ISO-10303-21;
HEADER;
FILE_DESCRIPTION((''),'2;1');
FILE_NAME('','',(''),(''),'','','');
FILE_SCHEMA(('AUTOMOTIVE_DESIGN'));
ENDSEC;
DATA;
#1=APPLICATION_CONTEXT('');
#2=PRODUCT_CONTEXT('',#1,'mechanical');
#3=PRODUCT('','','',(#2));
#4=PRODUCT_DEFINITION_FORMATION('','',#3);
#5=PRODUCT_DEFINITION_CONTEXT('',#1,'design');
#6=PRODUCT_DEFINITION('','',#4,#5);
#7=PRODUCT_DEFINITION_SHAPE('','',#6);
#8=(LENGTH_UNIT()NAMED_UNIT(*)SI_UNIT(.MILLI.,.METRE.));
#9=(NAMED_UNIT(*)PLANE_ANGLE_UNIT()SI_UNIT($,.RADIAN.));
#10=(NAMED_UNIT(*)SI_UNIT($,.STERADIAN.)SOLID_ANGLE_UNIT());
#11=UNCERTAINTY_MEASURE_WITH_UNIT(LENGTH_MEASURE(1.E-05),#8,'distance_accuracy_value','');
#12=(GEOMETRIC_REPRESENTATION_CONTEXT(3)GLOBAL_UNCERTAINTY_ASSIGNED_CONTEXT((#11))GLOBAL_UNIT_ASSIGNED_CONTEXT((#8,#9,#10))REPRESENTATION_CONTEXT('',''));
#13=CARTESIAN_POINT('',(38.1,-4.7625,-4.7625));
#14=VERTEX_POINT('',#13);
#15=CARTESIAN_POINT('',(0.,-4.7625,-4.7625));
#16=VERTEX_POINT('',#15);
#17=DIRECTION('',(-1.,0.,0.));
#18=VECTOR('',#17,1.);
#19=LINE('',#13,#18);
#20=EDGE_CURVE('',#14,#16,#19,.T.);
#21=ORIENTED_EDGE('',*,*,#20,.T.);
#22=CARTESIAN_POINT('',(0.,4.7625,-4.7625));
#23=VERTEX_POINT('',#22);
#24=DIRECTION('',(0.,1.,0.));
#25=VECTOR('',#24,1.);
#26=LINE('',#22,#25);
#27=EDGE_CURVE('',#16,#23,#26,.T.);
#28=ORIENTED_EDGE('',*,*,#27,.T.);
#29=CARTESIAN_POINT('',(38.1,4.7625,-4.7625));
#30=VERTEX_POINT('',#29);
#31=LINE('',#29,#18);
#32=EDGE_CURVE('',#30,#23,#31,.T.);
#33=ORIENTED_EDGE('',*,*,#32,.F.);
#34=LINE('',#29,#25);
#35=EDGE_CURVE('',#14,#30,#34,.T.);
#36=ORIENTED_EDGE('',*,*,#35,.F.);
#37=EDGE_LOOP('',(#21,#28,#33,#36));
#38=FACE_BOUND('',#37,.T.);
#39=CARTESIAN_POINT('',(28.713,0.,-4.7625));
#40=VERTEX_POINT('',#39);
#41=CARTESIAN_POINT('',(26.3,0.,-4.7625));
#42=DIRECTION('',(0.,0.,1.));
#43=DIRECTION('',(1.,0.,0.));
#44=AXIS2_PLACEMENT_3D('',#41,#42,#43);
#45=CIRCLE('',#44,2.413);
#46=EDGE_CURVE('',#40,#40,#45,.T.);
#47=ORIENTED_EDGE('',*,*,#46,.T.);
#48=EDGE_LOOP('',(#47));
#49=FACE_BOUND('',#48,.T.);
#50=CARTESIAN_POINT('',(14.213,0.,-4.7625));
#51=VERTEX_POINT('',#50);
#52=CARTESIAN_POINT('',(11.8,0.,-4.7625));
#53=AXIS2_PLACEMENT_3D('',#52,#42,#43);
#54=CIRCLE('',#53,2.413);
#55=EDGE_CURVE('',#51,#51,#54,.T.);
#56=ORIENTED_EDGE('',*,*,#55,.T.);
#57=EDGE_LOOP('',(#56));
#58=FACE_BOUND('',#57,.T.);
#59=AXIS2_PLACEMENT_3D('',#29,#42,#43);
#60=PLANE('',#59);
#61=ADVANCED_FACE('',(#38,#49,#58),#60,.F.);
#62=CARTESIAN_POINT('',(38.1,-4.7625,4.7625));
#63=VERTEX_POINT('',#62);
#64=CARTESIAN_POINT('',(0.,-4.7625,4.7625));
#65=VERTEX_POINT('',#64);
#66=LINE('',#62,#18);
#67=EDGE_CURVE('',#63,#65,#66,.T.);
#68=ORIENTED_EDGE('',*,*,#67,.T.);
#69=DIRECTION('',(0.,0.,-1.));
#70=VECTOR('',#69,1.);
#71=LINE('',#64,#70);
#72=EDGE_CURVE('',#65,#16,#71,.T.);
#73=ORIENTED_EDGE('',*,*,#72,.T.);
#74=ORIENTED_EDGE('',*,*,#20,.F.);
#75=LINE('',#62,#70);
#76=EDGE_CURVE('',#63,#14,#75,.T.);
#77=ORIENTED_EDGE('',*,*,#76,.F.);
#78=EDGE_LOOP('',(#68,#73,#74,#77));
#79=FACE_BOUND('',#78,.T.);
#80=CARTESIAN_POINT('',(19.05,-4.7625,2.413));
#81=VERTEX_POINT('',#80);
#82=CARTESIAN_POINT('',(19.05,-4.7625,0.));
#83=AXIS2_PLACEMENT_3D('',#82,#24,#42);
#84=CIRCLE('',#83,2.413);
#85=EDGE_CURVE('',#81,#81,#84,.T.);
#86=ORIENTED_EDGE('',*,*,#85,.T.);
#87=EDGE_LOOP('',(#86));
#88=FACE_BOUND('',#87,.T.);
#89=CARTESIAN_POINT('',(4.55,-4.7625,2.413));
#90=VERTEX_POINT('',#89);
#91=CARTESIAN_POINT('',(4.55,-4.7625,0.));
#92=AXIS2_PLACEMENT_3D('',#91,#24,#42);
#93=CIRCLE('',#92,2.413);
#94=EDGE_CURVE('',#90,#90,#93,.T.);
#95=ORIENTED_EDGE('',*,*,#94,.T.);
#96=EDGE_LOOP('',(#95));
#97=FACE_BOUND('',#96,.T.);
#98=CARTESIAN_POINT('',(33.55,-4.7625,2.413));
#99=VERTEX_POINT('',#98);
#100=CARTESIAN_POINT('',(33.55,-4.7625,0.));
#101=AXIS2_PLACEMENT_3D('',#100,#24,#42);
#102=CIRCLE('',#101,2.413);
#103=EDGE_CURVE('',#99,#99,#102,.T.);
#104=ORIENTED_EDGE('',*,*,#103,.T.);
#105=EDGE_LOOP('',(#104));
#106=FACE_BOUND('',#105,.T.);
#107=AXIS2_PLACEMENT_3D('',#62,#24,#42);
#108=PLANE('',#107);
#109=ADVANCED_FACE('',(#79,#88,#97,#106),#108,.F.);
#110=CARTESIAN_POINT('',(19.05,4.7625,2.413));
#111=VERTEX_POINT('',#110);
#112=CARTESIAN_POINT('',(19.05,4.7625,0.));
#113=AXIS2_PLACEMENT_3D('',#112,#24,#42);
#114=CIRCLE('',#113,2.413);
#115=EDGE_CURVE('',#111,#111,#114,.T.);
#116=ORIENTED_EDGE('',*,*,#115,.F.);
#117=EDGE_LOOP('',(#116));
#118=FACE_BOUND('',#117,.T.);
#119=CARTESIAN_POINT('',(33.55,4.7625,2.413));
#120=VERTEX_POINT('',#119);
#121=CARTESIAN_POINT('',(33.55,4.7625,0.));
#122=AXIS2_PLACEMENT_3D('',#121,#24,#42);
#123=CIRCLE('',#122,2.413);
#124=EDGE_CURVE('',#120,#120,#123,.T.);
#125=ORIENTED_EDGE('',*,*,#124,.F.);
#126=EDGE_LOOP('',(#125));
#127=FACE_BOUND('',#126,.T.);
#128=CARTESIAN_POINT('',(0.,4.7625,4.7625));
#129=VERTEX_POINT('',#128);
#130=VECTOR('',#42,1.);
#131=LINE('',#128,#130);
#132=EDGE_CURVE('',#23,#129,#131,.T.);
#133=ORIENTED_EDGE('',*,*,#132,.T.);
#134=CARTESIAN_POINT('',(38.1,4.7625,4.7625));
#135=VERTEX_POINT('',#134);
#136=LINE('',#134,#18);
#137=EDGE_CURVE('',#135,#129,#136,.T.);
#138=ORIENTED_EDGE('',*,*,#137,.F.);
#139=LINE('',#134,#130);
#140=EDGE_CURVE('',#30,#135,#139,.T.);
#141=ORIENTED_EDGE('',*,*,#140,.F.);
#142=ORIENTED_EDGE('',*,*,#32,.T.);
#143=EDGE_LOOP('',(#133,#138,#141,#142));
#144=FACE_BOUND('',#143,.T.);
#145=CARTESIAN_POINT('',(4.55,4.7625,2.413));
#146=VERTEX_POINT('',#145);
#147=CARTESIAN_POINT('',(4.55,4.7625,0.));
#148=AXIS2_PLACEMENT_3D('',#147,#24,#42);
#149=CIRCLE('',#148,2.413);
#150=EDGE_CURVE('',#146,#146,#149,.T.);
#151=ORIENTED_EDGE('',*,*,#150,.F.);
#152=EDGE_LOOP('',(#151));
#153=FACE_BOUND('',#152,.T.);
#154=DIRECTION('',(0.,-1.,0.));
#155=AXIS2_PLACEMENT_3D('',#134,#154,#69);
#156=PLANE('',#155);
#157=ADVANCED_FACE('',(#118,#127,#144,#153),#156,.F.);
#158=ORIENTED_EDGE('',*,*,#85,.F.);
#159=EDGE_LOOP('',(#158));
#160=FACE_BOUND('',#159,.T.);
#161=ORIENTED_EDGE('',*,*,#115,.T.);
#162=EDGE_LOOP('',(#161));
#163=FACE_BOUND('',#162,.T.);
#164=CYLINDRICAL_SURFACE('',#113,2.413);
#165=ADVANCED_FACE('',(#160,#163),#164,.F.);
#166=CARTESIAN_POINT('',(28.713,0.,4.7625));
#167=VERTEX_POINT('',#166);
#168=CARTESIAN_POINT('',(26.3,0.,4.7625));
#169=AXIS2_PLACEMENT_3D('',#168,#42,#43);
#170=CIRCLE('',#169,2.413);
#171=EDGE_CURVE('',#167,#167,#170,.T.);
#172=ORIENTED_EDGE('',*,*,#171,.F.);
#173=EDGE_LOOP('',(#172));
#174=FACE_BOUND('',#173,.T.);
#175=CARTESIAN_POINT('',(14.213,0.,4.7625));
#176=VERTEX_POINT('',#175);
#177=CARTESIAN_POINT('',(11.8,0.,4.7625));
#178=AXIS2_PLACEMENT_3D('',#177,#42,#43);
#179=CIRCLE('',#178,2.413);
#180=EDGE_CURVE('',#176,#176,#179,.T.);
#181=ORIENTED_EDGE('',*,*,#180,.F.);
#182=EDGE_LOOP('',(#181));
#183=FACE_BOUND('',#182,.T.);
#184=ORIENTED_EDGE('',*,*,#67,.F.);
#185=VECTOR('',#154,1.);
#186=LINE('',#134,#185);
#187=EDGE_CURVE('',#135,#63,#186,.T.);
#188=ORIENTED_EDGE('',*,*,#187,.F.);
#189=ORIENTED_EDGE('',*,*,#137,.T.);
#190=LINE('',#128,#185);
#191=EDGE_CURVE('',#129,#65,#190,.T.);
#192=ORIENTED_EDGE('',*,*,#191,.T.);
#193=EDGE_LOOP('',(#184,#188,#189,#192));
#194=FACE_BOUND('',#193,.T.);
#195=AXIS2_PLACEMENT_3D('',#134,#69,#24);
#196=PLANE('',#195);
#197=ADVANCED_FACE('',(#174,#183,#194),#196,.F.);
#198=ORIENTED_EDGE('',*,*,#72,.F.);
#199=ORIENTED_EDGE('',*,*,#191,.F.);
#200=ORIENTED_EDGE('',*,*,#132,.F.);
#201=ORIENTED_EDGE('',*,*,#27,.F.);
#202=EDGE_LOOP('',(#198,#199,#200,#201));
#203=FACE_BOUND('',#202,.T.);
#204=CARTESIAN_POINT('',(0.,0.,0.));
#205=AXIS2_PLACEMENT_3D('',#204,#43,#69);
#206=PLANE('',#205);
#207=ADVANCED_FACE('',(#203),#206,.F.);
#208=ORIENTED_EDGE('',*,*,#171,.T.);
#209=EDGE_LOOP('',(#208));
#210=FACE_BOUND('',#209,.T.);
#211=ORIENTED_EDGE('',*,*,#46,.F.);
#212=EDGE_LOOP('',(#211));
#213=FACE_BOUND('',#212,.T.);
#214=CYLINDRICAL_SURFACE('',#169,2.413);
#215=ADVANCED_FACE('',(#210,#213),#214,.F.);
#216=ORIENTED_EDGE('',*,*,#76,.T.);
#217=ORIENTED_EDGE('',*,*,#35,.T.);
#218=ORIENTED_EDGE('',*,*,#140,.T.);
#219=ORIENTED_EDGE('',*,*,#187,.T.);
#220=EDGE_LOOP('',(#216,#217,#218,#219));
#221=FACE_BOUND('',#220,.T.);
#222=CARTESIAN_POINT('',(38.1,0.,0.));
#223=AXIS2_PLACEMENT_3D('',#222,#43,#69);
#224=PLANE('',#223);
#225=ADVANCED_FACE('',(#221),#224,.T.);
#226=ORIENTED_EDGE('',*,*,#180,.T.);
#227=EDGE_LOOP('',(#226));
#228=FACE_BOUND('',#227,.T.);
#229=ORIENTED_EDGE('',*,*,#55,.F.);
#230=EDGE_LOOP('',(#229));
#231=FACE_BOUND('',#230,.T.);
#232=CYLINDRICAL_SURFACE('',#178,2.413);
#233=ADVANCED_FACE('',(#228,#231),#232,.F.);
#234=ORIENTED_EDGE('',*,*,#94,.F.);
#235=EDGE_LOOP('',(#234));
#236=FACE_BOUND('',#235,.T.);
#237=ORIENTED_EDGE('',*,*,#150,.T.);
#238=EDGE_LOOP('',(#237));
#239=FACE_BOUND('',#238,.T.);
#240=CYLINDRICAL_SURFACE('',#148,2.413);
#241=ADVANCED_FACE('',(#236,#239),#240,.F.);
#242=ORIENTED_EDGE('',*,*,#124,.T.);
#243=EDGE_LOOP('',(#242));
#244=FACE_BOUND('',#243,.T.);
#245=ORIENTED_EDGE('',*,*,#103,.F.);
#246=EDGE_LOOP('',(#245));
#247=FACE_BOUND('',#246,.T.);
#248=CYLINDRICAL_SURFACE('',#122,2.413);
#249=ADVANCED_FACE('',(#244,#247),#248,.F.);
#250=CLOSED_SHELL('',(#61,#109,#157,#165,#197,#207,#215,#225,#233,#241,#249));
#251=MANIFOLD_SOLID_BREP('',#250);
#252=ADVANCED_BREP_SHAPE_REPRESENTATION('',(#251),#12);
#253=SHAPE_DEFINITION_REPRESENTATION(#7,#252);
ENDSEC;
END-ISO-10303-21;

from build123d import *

# Parameters (mm, degrees)
SKETCH1_W              = 9.525
SKETCH1_H              = 9.525
BOSS_EXTRUDE1_DEPTH    = 38.1
F_10_24_TAPPED_HOLE1_D = 4.826
F_10_24_TAPPED_HOLE2_D = 4.826


with BuildPart() as part:
    # Sketch1 → Boss-Extrude1 (new body)
    with BuildSketch(Plane(origin=(0, 0, 0), x_dir=(0, 0, -1), z_dir=(1, 0, 0))):
        Rectangle(SKETCH1_W, SKETCH1_H)
    extrude(amount=BOSS_EXTRUDE1_DEPTH)

    # #10-24 Tapped Hole1 (through all)
    with Locations(Plane(origin=(0, 4.7625, 0), x_dir=(1, 0, 0), z_dir=(0, 1, 0))):
        with Locations((4.55, 0), (19.05, 0), (33.55, 0)):
            Hole(F_10_24_TAPPED_HOLE1_D / 2)

    # #10-24 Tapped Hole2 (through all)
    with Locations(Plane.XY.offset(4.7625)):
        with Locations((11.8, 0), (26.3, 0)):
            Hole(F_10_24_TAPPED_HOLE2_D / 2)


solid = part.part
